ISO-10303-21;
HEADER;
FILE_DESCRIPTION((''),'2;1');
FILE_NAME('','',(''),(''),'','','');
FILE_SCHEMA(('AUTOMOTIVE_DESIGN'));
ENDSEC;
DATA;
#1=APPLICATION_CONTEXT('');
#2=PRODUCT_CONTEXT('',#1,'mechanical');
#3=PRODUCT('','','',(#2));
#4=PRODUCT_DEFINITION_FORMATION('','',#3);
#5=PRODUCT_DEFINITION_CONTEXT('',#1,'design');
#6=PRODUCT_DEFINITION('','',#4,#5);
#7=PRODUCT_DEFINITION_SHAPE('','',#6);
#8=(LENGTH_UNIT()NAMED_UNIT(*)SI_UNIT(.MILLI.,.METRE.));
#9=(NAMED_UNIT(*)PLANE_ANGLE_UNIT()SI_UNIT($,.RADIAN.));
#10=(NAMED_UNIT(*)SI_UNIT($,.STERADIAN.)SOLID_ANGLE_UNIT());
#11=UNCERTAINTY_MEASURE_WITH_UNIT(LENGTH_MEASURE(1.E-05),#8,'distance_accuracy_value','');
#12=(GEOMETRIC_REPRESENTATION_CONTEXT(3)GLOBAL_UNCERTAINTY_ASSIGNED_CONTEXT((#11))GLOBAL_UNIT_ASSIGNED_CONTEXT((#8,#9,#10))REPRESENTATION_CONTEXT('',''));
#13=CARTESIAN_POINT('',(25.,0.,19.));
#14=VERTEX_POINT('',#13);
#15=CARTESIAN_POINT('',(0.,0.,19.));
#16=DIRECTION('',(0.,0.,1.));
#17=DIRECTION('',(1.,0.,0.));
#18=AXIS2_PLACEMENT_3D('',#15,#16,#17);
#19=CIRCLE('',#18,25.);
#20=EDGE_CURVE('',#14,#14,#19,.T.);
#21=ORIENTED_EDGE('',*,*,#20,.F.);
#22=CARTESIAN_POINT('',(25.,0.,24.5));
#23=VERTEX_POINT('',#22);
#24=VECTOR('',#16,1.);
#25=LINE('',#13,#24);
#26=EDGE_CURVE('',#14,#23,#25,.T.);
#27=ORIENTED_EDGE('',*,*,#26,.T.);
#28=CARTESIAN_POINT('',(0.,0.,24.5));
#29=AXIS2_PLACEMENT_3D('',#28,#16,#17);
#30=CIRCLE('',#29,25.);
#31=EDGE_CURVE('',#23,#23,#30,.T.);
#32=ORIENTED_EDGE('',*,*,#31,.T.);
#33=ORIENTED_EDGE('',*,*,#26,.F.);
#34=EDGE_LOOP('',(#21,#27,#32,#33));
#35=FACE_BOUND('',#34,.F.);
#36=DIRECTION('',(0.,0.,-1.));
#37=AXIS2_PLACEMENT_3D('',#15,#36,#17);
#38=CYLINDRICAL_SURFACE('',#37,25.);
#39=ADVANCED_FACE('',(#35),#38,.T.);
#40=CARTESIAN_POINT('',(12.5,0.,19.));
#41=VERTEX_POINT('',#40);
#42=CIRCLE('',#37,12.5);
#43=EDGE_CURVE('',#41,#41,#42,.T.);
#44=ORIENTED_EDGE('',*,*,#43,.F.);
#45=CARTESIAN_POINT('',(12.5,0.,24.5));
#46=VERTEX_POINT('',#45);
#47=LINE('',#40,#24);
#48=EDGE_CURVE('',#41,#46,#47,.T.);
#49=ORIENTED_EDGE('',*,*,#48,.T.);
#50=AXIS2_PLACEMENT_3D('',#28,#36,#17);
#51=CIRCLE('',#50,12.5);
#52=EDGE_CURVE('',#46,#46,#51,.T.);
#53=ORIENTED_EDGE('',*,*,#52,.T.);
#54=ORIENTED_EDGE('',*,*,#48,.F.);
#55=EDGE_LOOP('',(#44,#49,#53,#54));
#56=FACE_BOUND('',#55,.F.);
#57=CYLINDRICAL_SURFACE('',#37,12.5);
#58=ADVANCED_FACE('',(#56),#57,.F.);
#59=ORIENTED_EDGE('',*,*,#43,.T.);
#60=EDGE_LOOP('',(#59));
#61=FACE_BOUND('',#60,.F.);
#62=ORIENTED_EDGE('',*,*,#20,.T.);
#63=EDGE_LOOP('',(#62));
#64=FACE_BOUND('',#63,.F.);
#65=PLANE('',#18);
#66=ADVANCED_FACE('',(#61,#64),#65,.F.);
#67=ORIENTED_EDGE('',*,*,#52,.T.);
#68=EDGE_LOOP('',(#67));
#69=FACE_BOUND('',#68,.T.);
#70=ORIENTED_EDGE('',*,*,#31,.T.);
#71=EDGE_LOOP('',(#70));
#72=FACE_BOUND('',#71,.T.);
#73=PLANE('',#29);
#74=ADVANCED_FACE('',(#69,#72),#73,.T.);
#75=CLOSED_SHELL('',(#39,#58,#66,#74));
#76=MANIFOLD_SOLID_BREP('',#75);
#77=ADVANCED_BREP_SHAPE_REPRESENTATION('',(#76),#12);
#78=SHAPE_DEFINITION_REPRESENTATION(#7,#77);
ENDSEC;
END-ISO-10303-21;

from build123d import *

# Parameters (mm, degrees)
F0_W      = 100
F0_H      = 35
F1_DEPTH  = 18
F2_R      = 12.7
F3_DEPTH  = 19
F4_R      = 25
F4_R_2    = 12.7
F5_DEPTH  = 5.5
F6_R      = 2.5
F7_DEPTH  = 3
F8_W      = 100
F8_H      = 57
F8_H_2    = 18
F9_DEPTH  = 12
F11_DEPTH = 50
F13_D     = 12
F13_DEPTH = 12
F14_W     = 15
F14_H     = 18
F15_DEPTH = 35
F17_W     = 150.604561
F17_H     = 102.203328
F18_DEPTH = 94
F19_R     = 12.5
F20_DEPTH = 25


with BuildPart() as f1:
    # F0 (on Top) → F1 (new body)
    with BuildSketch(Plane.XY):
        Rectangle(F0_W, F0_H)
    extrude(amount=-F1_DEPTH)

    # F2 (on face) → F3 (join)
    with BuildSketch(Plane.XY):
        Circle(F2_R)
    extrude(amount=F3_DEPTH)

    # F4 (on face) → F5 (join)
    with BuildSketch(Plane.XY.offset(19)):
        Circle(F4_R)
        Circle(F4_R_2, mode=Mode.SUBTRACT)
        Circle(F4_R_2)
    extrude(amount=F5_DEPTH)

    # F6 (on face) → F7 (join)
    with BuildSketch(Plane.XY.offset(24.5)):
        Circle(F6_R)
    extrude(amount=F7_DEPTH)

    # F8 (on face) → F9 (join)
    with BuildSketch(Plane.XZ.offset(17.5)):
        with Locations((0, -46.5)):
            Rectangle(F8_W, F8_H)
        with Locations((0, -9)):
            Rectangle(F8_W, F8_H_2)
    extrude(amount=F9_DEPTH)

    # F10 (on face) → F11 (cut)
    with BuildSketch(Plane.XZ.offset(29.5)):
        Polygon((-37.5, -50), (-37.5, 0), (-50, 0), (-50, -75), (50, -75), (50, 0), (37.5, 0), (37.5, -50), align=None)
    extrude(amount=-F11_DEPTH, mode=Mode.SUBTRACT)

    # F13
    with Locations(Plane(origin=(0, -17.5, 0), x_dir=(-1, 0, 0), z_dir=(0, 1, 0))):
        with Locations((-22.5, -35), (22.5, -35)):
            Hole(F13_D / 2, depth=F13_DEPTH)

    # F14 (on face) → F15 (cut)
    with BuildSketch(Plane(origin=(0, 17.5, 0), x_dir=(-1, 0, 0), z_dir=(0, 1, 0))):
        with Locations((-30, -9)):
            Rectangle(F14_W, F14_H)
        with Locations((30, -9)):
            Rectangle(F14_W, F14_H)
    extrude(amount=-F15_DEPTH, mode=Mode.SUBTRACT)

    # F17 (on offset) → F18 (cut)
    with BuildSketch(Plane(origin=(0, -23.5, -75), x_dir=(1, 0, 0), z_dir=(0, 0, -1))):
        with Locations((5.335175, 0.654457)):
            Rectangle(F17_W, F17_H)
    extrude(amount=-F18_DEPTH, mode=Mode.SUBTRACT)

    # F19 (on face) → F20 (cut)
    with BuildSketch(Plane(origin=(0, 0, 19), x_dir=(1, 0, 0), z_dir=(0, 0, -1))):
        Circle(F19_R)
    extrude(amount=-F20_DEPTH, mode=Mode.SUBTRACT)


solid = f1.part
